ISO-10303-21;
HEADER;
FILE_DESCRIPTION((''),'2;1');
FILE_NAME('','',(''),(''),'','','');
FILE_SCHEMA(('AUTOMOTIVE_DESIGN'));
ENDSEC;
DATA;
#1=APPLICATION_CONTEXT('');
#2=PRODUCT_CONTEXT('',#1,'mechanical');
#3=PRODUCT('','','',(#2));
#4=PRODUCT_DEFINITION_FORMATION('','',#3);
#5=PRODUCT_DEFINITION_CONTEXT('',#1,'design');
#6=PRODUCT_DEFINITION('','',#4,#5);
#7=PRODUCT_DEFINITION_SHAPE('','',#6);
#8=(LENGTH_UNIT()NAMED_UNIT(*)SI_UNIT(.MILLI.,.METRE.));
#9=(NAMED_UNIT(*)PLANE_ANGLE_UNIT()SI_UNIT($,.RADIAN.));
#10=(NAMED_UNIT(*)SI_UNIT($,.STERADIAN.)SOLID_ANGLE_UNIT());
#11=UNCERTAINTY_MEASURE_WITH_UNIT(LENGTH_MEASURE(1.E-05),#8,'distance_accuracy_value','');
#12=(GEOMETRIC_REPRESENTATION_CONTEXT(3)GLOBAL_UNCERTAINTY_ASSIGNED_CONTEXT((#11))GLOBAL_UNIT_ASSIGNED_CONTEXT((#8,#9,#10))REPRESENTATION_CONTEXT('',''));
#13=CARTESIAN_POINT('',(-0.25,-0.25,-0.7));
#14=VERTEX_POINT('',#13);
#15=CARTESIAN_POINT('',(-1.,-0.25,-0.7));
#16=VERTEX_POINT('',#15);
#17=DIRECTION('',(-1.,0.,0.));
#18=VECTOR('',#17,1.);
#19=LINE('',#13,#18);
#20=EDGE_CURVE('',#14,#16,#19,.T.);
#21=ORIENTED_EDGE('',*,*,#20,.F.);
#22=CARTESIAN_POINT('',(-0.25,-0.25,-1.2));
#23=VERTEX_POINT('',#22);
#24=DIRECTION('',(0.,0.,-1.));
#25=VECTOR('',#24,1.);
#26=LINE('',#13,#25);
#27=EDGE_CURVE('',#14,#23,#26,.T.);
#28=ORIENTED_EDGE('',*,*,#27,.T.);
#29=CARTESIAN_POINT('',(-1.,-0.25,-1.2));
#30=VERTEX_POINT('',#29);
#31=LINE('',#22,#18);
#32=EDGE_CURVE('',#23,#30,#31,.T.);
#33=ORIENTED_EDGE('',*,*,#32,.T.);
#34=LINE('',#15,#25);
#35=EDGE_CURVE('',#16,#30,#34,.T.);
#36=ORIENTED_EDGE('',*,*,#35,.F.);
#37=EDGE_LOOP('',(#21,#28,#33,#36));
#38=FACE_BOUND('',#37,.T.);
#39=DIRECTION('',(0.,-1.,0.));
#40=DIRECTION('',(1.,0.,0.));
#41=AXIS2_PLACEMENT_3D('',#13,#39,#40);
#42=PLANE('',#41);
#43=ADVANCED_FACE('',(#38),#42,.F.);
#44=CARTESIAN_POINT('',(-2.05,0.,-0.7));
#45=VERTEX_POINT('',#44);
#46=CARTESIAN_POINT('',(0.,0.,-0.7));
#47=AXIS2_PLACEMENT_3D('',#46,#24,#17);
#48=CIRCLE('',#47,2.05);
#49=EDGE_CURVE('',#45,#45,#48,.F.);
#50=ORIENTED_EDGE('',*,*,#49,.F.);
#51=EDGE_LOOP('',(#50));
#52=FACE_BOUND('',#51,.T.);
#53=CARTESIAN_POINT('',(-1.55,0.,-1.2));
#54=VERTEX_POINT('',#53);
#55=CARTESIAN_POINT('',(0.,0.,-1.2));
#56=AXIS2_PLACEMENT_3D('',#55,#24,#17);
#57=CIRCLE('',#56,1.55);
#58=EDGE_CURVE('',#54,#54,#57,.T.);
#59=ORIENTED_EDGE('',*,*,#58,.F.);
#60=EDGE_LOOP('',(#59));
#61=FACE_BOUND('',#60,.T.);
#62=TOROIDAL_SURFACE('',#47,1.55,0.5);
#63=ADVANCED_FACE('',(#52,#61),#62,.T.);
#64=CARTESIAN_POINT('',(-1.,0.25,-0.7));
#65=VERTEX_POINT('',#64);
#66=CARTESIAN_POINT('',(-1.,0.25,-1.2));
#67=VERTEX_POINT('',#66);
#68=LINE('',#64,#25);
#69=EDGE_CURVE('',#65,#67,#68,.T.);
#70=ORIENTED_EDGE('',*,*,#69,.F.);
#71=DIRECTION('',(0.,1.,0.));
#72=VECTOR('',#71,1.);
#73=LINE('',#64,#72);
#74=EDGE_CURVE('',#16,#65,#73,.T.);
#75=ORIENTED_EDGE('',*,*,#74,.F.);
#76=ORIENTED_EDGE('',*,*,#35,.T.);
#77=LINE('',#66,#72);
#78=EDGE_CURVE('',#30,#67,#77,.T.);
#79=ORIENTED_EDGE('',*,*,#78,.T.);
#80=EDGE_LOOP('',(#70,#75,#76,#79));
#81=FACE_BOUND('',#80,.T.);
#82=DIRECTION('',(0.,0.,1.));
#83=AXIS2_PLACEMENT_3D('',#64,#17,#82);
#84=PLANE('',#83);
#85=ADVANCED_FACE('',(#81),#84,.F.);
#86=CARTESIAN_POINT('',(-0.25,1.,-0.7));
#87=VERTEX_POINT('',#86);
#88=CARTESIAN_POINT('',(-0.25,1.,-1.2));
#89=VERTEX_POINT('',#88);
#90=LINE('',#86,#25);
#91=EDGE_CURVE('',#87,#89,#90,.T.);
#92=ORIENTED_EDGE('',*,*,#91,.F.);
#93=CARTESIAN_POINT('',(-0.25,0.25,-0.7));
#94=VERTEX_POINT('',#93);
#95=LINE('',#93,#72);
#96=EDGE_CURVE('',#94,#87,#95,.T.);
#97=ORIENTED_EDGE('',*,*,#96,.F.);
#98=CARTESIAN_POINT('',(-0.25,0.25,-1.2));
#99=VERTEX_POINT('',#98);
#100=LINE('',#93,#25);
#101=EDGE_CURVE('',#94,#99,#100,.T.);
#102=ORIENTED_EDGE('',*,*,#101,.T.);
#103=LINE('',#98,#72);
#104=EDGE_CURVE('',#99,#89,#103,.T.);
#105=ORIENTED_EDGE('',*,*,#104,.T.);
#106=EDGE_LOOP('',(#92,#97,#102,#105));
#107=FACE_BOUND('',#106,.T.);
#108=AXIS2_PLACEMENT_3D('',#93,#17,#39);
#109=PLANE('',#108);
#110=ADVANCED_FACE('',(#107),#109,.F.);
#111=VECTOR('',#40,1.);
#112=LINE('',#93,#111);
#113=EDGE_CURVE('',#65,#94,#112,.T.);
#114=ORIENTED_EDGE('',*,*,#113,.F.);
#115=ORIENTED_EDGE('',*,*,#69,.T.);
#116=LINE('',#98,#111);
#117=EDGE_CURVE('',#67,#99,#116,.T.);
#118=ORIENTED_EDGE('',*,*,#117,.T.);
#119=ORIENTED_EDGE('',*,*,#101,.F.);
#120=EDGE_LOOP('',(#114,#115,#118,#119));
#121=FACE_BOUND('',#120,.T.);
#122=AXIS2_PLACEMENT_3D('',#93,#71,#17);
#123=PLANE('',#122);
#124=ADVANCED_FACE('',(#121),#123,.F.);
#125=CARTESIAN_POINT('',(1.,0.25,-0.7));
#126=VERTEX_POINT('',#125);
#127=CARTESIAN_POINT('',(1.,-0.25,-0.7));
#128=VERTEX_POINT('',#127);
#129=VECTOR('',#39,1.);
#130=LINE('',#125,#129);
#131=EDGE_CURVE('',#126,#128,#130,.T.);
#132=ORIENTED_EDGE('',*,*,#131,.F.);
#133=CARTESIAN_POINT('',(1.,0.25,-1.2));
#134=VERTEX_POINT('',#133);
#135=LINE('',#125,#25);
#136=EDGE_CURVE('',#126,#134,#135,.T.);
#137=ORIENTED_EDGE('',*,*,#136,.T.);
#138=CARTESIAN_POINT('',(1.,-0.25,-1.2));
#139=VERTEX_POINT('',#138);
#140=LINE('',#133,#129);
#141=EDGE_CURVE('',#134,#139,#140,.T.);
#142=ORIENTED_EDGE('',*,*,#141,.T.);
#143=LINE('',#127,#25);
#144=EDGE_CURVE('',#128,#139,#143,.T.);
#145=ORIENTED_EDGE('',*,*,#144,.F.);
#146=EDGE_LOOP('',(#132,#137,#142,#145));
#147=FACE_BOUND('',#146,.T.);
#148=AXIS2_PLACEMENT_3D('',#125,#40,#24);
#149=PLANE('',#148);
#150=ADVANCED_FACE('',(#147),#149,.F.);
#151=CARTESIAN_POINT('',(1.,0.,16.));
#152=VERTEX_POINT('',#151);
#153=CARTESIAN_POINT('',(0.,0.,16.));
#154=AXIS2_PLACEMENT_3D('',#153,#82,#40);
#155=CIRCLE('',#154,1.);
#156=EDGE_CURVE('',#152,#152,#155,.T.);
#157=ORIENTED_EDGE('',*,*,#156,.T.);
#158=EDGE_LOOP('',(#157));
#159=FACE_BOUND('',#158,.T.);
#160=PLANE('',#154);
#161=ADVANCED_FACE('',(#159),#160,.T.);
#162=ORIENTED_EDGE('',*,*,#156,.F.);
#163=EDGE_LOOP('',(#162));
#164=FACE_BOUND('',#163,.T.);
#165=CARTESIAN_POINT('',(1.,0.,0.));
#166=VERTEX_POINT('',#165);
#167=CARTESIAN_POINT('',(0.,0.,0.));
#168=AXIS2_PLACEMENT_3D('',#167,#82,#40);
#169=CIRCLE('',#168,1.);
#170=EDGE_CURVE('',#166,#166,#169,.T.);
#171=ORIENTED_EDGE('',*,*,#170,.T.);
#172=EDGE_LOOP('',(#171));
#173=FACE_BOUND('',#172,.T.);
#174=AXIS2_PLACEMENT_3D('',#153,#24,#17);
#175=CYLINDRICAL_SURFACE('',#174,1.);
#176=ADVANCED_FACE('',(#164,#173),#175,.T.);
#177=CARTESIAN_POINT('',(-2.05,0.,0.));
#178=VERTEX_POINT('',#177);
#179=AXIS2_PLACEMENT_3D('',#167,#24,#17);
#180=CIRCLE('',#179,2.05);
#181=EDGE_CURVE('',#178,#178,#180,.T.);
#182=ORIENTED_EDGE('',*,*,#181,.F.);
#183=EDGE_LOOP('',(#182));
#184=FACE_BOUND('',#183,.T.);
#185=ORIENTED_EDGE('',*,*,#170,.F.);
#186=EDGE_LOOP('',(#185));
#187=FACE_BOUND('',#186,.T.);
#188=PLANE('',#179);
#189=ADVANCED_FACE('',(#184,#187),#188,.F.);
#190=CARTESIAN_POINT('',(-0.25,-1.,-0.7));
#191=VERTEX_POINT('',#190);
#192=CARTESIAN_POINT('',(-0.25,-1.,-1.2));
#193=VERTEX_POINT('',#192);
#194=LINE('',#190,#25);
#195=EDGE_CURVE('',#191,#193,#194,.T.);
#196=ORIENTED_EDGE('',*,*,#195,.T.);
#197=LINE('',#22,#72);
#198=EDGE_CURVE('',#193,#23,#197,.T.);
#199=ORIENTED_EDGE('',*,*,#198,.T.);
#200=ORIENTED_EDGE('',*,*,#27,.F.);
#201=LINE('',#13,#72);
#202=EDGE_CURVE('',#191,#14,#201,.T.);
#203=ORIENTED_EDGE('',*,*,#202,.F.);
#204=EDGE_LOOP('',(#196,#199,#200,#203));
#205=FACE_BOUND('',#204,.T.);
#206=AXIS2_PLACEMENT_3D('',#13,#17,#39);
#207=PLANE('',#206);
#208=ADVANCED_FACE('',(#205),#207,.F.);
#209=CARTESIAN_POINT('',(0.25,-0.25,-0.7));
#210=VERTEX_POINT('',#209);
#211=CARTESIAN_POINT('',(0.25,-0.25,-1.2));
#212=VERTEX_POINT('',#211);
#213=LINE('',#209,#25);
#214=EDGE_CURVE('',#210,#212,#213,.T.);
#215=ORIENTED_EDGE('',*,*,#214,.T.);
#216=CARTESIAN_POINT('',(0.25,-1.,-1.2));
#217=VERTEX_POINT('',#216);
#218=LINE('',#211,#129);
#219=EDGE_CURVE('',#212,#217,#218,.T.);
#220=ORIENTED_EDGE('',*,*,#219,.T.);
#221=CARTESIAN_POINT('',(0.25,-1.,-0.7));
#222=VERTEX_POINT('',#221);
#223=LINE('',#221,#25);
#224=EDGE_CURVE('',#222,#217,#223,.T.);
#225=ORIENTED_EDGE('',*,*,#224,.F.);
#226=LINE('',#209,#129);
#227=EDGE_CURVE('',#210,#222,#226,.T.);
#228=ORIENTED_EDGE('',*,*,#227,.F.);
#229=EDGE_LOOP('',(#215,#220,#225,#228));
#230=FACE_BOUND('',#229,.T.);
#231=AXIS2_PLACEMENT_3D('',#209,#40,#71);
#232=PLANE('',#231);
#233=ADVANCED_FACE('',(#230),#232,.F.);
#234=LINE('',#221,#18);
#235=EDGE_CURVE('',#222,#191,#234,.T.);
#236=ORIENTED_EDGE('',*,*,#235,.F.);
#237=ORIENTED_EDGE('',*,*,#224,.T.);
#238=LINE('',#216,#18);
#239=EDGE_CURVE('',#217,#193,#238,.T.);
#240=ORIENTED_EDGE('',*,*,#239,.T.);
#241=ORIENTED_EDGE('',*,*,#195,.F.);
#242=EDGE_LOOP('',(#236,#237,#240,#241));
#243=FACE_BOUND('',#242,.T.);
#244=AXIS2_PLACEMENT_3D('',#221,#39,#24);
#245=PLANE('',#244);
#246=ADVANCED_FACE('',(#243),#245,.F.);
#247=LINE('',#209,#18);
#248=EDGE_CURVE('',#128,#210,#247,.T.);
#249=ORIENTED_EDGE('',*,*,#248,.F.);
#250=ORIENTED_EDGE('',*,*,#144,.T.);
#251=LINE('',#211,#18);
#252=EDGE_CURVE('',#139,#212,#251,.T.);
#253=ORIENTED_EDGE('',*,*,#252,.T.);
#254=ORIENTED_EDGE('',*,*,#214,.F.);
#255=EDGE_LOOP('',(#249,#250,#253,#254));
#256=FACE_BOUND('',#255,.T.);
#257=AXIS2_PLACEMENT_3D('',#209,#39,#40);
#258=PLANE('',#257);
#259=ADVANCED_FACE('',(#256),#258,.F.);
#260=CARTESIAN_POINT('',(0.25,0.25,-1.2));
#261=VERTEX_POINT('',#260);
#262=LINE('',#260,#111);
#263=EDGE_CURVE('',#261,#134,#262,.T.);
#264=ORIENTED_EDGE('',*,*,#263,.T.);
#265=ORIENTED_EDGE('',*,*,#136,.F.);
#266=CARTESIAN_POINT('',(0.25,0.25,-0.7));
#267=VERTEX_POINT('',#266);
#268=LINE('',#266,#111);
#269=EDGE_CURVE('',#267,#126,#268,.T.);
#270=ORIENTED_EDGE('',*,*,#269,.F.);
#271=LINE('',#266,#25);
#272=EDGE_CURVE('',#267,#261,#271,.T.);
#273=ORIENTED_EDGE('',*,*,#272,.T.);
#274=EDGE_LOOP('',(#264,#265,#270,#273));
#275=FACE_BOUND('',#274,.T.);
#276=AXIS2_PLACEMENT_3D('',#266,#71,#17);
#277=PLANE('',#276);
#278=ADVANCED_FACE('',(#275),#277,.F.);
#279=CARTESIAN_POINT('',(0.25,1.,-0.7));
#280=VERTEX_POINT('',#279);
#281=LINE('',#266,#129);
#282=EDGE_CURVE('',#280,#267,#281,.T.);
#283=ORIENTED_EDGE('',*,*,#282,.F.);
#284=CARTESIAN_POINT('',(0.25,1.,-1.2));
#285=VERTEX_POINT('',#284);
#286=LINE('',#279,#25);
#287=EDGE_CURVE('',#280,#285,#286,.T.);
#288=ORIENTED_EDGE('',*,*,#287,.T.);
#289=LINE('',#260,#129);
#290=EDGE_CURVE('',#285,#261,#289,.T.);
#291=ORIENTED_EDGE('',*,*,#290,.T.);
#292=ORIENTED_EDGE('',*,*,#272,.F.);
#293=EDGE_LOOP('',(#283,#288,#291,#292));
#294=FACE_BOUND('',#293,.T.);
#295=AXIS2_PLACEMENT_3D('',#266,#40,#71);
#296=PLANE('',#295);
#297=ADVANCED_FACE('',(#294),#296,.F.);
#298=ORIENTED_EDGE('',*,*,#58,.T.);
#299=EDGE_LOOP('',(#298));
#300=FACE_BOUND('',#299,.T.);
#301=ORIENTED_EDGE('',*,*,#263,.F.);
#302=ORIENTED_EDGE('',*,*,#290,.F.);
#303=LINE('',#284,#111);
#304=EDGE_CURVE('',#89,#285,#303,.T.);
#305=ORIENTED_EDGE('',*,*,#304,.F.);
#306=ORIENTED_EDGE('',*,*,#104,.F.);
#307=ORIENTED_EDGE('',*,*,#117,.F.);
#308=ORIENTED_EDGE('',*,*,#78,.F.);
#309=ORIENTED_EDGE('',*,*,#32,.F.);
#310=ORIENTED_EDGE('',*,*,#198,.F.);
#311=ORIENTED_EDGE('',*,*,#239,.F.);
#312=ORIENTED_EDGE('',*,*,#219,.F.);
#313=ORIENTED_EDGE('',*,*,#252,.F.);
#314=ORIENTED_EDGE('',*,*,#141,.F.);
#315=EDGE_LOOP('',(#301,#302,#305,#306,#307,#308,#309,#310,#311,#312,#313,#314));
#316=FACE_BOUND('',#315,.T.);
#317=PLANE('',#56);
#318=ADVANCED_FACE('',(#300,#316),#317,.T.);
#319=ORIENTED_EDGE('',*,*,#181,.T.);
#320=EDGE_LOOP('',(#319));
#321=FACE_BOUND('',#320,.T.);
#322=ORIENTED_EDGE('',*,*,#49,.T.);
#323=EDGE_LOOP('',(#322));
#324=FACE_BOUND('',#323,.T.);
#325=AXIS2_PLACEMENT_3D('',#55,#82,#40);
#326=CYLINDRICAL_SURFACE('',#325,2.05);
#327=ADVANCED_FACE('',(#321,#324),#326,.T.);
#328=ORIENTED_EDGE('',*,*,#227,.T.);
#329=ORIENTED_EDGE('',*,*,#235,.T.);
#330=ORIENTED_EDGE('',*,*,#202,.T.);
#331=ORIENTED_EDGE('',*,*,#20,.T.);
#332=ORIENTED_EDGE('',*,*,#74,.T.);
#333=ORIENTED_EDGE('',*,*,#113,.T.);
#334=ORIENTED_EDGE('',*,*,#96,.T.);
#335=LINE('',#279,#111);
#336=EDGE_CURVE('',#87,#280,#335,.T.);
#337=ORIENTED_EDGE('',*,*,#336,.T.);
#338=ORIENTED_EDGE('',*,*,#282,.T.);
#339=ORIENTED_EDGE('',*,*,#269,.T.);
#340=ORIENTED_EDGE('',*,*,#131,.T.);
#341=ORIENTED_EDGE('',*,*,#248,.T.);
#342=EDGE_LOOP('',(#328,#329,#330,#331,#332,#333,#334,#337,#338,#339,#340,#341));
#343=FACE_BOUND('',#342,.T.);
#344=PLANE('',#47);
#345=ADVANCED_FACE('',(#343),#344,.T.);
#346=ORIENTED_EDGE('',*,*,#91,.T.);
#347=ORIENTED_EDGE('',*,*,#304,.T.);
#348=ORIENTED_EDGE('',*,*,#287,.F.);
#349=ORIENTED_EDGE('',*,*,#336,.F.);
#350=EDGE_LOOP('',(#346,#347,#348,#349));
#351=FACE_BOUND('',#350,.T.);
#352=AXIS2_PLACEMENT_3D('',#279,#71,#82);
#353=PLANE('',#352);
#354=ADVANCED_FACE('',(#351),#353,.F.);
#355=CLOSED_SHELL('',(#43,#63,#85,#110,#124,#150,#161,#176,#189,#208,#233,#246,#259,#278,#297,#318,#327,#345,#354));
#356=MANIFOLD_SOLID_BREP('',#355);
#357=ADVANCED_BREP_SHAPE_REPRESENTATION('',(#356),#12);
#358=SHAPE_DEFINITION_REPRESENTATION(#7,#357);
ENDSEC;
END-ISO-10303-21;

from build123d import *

# Parameters (mm, degrees)
SCHIZZO1_R                   = 1
ESTRUSIONE_ESTRUSIONE1_DEPTH = 16
SCHIZZO2_R                   = 2.05
ESTRUSIONE_ESTRUSIONE2_DEPTH = 1.2
RACCORDO1_R                  = 0.5
TAGLIO_ESTRUSIONE1_DEPTH     = 0.5


with BuildPart() as part:
    # Schizzo1 → Estrusione-Estrusione1 (new body)
    with BuildSketch(Plane.XY):
        Circle(SCHIZZO1_R)
    extrude(amount=ESTRUSIONE_ESTRUSIONE1_DEPTH)

    # Schizzo2 → Estrusione-Estrusione2 (add)
    with BuildSketch(Plane(origin=(0, 0, 0), x_dir=(-1, 0, 0), z_dir=(0, 0, -1))):
        Circle(SCHIZZO2_R)
    extrude(amount=ESTRUSIONE_ESTRUSIONE2_DEPTH)

    # Raccordo1
    raccordo1_edges = [part.edges().sort_by_distance(p)[0] for p in [
        (2.05, 0, -1.2),
    ]]
    fillet(raccordo1_edges, radius=RACCORDO1_R)

    # Schizzo3 → Taglio-Estrusione1 (cut)
    with BuildSketch(Plane(origin=(0, 0, -1.2), x_dir=(-1, 0, 0), z_dir=(0, 0, -1))):
        Polygon((-0.25, 0.25), (-1, 0.25), (-1, -0.25), (-0.25, -0.25), (-0.25, -1), (0.25, -1), (0.25, -0.25), (1, -0.25), (1, 0.25), (0.25, 0.25), (0.25, 1), (-0.25, 1), align=None)
    extrude(amount=-TAGLIO_ESTRUSIONE1_DEPTH, mode=Mode.SUBTRACT)


solid = part.part
